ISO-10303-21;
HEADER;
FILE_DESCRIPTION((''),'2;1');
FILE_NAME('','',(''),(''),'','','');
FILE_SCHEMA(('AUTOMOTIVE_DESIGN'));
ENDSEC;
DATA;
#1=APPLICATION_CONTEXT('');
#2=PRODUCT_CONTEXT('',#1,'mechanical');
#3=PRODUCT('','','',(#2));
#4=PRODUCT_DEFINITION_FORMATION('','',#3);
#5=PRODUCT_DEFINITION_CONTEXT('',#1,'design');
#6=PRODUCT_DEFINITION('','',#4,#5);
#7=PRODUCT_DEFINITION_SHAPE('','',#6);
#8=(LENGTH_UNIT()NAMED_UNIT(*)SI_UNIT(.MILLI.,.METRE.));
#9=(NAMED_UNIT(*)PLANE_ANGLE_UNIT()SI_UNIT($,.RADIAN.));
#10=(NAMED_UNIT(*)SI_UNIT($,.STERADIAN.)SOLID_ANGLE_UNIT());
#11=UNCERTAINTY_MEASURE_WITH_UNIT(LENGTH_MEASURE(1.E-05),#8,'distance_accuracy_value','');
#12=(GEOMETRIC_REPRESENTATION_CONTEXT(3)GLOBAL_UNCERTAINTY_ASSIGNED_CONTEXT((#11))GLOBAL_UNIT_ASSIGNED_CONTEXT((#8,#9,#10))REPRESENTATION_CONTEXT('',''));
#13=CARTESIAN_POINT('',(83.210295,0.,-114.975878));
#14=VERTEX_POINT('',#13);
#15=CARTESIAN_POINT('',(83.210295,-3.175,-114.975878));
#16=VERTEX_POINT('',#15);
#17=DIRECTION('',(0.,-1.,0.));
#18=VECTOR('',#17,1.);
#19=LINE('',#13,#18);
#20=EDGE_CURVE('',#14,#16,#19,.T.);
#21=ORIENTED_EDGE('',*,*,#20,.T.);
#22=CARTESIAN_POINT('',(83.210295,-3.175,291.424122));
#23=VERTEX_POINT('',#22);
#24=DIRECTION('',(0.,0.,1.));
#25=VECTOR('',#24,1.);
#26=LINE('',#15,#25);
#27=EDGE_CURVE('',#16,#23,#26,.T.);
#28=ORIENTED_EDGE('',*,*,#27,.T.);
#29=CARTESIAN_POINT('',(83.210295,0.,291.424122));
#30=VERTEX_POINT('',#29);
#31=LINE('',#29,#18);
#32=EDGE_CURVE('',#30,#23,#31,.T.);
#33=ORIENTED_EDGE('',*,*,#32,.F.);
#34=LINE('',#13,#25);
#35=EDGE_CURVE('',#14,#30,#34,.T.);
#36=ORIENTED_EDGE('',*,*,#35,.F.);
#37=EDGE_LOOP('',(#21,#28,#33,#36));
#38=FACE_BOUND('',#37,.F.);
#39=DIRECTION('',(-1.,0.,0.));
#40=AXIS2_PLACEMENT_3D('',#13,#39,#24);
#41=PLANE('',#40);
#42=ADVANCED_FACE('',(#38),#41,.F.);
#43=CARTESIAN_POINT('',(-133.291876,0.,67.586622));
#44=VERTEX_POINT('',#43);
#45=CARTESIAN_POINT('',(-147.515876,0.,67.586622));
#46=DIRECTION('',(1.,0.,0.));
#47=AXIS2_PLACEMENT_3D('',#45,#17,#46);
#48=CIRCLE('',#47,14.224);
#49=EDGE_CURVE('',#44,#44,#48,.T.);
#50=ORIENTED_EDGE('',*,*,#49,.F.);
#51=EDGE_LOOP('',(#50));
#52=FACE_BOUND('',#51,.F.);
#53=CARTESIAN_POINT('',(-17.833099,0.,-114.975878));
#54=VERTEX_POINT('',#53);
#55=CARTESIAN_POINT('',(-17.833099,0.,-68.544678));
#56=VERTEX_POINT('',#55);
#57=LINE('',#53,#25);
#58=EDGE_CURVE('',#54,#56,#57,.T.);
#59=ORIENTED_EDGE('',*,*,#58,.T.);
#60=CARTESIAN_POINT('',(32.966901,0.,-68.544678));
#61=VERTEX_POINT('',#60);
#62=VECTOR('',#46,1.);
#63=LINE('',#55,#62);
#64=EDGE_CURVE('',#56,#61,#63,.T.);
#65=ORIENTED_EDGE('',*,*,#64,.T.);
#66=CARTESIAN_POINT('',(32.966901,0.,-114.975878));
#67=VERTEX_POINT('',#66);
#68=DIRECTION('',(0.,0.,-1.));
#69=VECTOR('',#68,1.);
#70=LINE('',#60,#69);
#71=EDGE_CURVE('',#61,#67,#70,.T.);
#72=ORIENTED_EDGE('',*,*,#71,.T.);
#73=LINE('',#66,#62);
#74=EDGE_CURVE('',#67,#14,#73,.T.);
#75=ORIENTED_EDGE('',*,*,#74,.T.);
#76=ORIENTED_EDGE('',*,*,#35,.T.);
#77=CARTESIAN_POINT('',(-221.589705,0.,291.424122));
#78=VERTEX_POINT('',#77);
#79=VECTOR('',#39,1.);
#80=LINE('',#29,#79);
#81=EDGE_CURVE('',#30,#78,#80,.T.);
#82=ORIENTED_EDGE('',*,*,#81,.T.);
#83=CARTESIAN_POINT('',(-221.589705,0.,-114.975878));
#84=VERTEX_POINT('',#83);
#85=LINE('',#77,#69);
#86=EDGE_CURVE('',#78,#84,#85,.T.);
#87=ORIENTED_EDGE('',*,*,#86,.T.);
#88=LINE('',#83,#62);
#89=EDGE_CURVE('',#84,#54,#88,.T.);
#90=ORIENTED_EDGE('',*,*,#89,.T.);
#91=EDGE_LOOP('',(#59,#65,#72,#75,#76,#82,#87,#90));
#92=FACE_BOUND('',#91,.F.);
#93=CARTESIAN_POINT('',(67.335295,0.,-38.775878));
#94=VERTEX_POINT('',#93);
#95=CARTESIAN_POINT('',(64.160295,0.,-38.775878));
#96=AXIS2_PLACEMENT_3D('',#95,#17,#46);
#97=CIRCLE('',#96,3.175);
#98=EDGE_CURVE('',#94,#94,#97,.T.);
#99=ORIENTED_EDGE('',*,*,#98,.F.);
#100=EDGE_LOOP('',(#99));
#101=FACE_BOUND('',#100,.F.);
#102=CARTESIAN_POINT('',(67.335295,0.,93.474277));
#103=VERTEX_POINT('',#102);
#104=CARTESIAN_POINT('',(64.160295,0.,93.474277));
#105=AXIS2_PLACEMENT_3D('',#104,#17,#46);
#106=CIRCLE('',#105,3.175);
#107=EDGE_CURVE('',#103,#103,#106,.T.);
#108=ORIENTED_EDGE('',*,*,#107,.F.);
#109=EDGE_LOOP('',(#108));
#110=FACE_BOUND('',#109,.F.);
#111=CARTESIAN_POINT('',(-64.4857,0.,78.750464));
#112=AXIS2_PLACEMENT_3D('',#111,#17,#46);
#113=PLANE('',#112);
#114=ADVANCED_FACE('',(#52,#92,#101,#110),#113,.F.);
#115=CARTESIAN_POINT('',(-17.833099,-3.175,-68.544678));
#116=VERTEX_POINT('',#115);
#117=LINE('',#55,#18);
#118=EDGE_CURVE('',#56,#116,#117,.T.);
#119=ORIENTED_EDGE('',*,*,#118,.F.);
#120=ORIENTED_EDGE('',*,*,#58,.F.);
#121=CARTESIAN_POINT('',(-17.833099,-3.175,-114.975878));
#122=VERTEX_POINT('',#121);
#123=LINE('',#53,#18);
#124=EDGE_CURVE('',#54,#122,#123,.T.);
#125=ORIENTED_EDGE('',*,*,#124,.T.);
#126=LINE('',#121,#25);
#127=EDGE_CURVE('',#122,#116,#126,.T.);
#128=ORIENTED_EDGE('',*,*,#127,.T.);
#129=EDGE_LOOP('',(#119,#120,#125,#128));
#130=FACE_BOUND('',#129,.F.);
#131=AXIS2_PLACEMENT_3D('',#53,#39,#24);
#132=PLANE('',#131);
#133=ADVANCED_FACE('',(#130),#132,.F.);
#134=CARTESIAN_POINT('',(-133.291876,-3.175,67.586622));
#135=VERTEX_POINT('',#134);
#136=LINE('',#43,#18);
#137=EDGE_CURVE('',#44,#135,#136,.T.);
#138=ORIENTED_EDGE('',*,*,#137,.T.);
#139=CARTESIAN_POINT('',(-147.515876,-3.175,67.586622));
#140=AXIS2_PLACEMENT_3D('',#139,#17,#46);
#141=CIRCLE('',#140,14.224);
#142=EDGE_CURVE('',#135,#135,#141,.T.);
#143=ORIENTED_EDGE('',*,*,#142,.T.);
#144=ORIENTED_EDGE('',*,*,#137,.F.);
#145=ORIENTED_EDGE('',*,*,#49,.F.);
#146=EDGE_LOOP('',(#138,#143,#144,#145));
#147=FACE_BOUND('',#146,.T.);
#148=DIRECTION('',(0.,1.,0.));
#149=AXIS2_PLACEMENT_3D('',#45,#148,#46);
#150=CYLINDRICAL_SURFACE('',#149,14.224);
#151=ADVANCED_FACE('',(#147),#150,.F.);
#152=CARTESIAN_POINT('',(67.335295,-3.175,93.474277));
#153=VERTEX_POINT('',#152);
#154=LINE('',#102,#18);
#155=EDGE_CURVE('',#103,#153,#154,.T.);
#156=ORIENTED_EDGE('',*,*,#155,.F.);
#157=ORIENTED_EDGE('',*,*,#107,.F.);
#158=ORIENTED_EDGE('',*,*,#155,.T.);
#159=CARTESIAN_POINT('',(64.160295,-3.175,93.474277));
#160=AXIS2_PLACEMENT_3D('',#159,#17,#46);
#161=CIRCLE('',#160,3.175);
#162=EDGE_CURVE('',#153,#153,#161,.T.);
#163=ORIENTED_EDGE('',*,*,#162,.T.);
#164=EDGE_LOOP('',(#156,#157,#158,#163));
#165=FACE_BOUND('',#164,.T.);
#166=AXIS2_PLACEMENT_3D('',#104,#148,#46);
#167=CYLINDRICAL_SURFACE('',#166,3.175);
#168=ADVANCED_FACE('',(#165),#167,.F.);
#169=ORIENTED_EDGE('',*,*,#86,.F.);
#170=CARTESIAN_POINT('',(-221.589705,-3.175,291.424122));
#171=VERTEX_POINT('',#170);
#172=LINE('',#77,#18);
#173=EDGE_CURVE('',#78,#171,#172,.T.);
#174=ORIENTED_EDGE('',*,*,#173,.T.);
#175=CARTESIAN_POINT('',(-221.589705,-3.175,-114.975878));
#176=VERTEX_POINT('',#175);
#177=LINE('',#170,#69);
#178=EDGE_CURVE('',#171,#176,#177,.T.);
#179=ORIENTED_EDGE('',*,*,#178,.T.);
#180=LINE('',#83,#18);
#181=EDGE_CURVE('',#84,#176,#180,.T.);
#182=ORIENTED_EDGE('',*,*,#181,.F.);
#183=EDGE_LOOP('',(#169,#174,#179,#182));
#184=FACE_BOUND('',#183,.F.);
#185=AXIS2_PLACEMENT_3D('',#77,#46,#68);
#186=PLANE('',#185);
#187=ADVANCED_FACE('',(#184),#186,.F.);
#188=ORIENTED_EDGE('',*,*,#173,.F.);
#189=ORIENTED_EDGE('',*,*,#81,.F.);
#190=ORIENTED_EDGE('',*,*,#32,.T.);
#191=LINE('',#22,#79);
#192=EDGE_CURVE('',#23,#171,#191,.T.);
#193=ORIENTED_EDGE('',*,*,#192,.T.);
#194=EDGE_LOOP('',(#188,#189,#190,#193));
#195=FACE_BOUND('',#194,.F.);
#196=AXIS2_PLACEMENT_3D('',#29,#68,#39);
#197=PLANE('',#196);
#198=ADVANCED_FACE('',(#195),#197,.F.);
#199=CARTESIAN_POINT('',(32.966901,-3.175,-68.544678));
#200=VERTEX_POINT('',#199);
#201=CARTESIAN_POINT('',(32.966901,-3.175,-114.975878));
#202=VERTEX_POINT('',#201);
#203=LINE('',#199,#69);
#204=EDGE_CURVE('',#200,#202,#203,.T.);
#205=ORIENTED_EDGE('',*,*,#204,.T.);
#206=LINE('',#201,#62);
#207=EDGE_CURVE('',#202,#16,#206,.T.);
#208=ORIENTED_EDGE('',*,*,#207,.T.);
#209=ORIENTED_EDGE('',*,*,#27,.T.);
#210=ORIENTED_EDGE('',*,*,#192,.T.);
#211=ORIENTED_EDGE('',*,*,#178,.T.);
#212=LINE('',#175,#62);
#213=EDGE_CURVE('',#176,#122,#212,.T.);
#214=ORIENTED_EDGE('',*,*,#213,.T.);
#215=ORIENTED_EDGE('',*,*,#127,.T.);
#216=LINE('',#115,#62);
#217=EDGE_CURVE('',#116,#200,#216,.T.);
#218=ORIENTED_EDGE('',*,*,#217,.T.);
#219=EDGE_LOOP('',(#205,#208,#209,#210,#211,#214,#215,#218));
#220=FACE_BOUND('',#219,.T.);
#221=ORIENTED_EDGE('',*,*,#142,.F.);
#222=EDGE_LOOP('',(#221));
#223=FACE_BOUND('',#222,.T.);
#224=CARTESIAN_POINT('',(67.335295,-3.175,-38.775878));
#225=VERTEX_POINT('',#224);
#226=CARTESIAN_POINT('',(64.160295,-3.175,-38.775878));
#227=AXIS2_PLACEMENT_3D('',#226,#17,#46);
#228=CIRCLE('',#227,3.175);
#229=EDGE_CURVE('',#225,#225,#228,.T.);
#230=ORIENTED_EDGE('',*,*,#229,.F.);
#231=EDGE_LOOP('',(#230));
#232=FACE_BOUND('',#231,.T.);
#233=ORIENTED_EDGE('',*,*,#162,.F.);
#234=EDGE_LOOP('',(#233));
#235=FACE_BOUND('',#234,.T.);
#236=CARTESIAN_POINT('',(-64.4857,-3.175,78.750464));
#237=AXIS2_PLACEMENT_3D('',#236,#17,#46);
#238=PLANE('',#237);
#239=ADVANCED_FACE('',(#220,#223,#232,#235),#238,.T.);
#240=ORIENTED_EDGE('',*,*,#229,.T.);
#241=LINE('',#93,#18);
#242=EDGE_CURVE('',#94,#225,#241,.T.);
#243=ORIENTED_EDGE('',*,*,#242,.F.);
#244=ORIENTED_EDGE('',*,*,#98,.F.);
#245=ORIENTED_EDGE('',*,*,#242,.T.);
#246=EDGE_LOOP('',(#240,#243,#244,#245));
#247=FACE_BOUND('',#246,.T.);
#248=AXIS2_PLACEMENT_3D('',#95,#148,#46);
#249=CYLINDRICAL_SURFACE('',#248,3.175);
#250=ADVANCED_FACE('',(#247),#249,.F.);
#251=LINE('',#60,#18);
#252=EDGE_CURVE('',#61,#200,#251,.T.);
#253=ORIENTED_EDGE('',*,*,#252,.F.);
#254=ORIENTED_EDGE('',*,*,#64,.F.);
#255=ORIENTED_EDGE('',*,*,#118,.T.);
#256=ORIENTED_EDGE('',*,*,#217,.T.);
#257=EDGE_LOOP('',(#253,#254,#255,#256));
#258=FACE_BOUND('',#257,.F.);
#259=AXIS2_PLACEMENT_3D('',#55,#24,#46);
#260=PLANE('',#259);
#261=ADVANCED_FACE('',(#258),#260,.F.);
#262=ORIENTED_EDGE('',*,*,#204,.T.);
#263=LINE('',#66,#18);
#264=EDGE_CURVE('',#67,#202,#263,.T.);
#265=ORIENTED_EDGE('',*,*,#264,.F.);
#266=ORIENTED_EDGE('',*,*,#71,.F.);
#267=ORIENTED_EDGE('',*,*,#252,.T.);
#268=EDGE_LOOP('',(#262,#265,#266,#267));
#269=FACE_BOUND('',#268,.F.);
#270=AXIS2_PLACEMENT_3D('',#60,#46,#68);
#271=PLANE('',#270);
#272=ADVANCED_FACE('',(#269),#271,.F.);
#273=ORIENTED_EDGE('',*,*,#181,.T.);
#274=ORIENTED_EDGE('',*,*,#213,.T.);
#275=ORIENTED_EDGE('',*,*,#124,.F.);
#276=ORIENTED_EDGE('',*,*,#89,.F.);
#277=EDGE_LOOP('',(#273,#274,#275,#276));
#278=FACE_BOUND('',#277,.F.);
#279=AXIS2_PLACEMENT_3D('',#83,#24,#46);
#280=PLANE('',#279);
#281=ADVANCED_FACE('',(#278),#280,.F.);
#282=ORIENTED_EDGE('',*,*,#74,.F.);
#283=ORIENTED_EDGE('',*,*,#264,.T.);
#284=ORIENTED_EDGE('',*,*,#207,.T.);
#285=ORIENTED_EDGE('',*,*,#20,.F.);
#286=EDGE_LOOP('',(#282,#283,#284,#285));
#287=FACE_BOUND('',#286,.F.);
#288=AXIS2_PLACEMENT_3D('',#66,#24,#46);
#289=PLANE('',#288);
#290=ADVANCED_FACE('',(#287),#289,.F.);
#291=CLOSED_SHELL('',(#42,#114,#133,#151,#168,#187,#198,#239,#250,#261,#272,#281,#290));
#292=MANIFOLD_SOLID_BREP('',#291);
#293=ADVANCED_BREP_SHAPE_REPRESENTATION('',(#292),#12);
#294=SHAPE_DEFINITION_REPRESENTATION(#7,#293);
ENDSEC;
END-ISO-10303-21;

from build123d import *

# Parameters (mm, degrees)
F1_R     = 14.224
F1_R_2   = 3.175
F2_DEPTH = 3.175


with BuildPart() as f2:
    # F1 (on Front) → F2 (new body)
    with BuildSketch(Plane.XZ):
        Polygon((32.966901, -114.975878), (83.210295, -114.975878), (83.210295, 291.424122), (-221.589705, 291.424122), (-221.589705, -114.975878), (-17.833099, -114.975878), (-17.833099, -68.544678), (32.966901, -68.544678), align=None)
        with Locations((-147.515876, 67.586622)):
            Circle(F1_R, mode=Mode.SUBTRACT)
        with Locations((64.160295, -38.775878)):
            Circle(F1_R_2, mode=Mode.SUBTRACT)
        with Locations((64.160295, 93.474277)):
            Circle(F1_R_2, mode=Mode.SUBTRACT)
    extrude(amount=F2_DEPTH)


solid = f2.part
